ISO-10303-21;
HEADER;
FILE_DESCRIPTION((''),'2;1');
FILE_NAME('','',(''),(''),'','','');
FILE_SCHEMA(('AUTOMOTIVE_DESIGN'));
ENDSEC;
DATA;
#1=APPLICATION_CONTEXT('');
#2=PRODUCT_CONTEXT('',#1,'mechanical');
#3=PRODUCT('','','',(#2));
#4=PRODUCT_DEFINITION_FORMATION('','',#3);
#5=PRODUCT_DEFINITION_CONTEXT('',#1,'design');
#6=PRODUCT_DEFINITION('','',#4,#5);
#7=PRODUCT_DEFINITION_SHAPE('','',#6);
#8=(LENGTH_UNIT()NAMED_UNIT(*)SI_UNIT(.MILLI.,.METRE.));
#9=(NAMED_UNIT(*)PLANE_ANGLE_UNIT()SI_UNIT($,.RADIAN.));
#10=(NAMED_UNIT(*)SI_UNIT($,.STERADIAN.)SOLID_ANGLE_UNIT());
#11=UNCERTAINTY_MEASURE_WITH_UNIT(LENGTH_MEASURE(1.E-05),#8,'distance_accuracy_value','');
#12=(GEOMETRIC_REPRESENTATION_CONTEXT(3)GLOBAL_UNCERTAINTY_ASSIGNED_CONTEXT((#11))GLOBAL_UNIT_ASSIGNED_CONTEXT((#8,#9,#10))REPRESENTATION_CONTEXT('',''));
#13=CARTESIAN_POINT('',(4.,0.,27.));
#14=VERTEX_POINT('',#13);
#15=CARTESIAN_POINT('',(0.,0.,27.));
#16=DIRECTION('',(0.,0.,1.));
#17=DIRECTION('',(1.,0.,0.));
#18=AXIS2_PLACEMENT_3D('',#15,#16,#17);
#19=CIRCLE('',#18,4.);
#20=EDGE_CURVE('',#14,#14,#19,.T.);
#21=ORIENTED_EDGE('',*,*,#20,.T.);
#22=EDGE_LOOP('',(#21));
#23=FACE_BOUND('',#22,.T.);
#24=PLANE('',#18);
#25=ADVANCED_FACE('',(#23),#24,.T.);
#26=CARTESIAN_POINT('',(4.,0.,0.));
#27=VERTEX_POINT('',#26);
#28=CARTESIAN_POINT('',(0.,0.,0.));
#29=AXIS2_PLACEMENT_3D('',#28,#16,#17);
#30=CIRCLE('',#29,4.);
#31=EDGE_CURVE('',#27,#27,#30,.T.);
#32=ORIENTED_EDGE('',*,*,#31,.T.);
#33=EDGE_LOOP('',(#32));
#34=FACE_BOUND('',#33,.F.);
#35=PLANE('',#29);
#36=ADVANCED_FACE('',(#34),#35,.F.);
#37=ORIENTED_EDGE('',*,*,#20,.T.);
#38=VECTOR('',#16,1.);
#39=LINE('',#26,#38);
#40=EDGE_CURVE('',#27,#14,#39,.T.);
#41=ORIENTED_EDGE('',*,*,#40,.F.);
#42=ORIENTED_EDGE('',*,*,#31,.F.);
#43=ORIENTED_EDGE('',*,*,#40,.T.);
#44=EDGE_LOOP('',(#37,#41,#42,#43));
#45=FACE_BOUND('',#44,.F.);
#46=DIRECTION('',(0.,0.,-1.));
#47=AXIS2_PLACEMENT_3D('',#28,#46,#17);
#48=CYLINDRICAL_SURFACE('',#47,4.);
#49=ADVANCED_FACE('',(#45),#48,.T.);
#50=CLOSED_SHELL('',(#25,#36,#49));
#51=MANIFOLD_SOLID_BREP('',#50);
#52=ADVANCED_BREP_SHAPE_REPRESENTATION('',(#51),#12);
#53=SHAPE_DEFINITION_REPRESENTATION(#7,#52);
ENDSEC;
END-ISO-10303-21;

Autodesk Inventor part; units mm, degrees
ref_plane "YZ Plane" through (0, 0, 0) normal (1, 0, 0) x (0, 1, 0)
ref_plane "XZ Plane" through (0, 0, 0) normal (0, 1, 0) x (-1, 0, 0)
ref_plane "XY Plane" through (0, 0, 0) normal (0, 0, 1) x (1, 0, 0)
sketch "Sketch1" plane through (0, 0, 0) normal (0, 0, 1) x (1, 0, 0)
  circle A0 centre (0, 0) radius 4
  dimension "d0" = 8
extrude "Extrusion1" add sketch "Sketch1" along normal blind 27
properties part number "shaft8x27"
